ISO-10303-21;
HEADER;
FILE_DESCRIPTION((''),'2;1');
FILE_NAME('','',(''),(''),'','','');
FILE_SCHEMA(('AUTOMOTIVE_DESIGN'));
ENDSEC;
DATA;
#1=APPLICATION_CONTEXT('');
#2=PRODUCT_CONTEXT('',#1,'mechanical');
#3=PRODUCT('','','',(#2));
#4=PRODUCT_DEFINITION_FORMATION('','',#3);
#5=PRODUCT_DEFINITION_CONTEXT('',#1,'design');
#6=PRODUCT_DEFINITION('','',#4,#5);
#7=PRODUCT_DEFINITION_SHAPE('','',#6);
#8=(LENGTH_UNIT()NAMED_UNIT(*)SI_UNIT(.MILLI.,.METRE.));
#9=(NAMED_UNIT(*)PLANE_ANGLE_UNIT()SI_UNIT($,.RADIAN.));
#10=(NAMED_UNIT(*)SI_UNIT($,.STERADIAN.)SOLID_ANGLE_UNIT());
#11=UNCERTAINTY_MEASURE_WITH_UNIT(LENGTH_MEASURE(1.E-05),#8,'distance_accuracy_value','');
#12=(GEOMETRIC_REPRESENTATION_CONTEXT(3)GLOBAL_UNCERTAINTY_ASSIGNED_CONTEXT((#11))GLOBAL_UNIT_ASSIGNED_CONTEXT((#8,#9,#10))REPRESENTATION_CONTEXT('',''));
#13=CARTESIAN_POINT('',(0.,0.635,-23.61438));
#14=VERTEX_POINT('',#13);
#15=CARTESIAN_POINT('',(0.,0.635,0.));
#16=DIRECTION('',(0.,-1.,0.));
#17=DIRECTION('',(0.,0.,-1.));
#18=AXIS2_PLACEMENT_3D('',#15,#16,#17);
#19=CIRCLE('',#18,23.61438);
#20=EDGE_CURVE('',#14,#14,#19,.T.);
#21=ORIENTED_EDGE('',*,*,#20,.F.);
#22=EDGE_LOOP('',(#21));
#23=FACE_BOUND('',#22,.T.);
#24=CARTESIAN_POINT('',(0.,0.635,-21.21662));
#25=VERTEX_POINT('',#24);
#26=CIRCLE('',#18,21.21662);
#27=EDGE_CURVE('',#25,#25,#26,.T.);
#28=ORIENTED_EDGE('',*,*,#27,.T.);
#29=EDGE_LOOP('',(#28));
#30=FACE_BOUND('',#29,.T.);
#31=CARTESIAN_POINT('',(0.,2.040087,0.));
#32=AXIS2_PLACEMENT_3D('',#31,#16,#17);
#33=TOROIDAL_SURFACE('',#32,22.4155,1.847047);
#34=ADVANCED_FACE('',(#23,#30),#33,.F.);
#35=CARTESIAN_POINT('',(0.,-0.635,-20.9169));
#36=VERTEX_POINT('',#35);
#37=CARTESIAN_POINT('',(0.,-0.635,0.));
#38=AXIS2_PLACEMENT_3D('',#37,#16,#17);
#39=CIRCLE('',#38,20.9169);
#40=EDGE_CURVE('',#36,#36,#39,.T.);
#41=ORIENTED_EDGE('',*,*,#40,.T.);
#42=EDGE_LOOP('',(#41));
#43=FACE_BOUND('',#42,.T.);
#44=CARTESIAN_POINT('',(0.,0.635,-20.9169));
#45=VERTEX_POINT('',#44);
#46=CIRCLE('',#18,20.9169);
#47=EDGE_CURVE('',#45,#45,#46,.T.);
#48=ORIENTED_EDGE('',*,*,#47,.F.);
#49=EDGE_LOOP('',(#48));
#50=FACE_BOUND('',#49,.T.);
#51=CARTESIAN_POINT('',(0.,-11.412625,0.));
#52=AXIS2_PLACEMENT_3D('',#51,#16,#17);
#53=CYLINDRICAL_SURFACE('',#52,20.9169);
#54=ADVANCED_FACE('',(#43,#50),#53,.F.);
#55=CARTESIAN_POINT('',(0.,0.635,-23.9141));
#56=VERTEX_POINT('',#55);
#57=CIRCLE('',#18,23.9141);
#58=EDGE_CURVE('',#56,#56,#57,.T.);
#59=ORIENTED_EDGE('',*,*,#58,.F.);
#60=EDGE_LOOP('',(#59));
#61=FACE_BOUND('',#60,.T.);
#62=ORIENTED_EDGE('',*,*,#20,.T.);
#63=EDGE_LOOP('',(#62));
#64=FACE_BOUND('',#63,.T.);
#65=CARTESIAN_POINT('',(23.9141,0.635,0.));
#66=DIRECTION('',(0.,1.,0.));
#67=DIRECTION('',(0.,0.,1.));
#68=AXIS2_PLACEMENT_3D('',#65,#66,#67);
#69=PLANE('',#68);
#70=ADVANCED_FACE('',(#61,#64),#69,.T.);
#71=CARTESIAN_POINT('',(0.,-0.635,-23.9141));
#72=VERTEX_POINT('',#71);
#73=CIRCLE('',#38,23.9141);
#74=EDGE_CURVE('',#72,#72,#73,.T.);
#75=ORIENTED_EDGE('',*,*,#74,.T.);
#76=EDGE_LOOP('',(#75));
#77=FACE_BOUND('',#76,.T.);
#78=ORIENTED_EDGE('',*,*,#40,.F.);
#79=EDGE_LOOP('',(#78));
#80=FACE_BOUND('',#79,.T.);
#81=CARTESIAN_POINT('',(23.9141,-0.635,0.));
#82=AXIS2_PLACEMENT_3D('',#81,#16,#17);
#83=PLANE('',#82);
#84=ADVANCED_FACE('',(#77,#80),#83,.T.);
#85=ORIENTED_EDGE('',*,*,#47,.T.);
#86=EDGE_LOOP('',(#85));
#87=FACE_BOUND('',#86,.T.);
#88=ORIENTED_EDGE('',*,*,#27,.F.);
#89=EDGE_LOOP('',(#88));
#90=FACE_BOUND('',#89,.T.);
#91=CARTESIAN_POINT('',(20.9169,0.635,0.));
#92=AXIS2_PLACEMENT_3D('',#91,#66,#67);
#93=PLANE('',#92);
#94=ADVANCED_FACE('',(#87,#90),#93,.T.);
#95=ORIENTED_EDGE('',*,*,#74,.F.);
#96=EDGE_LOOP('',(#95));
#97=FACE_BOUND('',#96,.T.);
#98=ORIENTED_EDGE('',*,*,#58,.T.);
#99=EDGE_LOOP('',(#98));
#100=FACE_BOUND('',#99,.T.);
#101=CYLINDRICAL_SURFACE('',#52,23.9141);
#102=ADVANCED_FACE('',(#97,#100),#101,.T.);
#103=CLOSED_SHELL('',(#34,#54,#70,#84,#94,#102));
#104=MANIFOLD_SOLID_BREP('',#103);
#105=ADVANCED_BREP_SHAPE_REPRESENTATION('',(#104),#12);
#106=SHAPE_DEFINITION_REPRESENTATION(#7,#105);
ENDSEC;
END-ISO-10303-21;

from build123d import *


with BuildPart() as part:
    # Sketch1 → Revolve2 (revolve)
    with BuildSketch(Plane.XY, mode=Mode.PRIVATE) as revolve2_sk:
        with BuildLine():
            Line((23.9141, -0.635), (23.9141, 0.635))
            Line((23.9141, 0.635), (23.61438, 0.635))
            ThreePointArc((23.61438, 0.635), (22.4155, 0.19304), (21.21662, 0.635))
            Line((21.21662, 0.635), (20.9169, 0.635))
            Line((20.9169, 0.635), (20.9169, -0.635))
            Line((20.9169, -0.635), (23.9141, -0.635))
        make_face()
    revolve(revolve2_sk.sketch.rotate(Axis((0, -11.412625366, 0), (0, 1, 0)), 90), axis=Axis((0, -11.412625366, 0), (0, 1, 0)))


solid = part.part
